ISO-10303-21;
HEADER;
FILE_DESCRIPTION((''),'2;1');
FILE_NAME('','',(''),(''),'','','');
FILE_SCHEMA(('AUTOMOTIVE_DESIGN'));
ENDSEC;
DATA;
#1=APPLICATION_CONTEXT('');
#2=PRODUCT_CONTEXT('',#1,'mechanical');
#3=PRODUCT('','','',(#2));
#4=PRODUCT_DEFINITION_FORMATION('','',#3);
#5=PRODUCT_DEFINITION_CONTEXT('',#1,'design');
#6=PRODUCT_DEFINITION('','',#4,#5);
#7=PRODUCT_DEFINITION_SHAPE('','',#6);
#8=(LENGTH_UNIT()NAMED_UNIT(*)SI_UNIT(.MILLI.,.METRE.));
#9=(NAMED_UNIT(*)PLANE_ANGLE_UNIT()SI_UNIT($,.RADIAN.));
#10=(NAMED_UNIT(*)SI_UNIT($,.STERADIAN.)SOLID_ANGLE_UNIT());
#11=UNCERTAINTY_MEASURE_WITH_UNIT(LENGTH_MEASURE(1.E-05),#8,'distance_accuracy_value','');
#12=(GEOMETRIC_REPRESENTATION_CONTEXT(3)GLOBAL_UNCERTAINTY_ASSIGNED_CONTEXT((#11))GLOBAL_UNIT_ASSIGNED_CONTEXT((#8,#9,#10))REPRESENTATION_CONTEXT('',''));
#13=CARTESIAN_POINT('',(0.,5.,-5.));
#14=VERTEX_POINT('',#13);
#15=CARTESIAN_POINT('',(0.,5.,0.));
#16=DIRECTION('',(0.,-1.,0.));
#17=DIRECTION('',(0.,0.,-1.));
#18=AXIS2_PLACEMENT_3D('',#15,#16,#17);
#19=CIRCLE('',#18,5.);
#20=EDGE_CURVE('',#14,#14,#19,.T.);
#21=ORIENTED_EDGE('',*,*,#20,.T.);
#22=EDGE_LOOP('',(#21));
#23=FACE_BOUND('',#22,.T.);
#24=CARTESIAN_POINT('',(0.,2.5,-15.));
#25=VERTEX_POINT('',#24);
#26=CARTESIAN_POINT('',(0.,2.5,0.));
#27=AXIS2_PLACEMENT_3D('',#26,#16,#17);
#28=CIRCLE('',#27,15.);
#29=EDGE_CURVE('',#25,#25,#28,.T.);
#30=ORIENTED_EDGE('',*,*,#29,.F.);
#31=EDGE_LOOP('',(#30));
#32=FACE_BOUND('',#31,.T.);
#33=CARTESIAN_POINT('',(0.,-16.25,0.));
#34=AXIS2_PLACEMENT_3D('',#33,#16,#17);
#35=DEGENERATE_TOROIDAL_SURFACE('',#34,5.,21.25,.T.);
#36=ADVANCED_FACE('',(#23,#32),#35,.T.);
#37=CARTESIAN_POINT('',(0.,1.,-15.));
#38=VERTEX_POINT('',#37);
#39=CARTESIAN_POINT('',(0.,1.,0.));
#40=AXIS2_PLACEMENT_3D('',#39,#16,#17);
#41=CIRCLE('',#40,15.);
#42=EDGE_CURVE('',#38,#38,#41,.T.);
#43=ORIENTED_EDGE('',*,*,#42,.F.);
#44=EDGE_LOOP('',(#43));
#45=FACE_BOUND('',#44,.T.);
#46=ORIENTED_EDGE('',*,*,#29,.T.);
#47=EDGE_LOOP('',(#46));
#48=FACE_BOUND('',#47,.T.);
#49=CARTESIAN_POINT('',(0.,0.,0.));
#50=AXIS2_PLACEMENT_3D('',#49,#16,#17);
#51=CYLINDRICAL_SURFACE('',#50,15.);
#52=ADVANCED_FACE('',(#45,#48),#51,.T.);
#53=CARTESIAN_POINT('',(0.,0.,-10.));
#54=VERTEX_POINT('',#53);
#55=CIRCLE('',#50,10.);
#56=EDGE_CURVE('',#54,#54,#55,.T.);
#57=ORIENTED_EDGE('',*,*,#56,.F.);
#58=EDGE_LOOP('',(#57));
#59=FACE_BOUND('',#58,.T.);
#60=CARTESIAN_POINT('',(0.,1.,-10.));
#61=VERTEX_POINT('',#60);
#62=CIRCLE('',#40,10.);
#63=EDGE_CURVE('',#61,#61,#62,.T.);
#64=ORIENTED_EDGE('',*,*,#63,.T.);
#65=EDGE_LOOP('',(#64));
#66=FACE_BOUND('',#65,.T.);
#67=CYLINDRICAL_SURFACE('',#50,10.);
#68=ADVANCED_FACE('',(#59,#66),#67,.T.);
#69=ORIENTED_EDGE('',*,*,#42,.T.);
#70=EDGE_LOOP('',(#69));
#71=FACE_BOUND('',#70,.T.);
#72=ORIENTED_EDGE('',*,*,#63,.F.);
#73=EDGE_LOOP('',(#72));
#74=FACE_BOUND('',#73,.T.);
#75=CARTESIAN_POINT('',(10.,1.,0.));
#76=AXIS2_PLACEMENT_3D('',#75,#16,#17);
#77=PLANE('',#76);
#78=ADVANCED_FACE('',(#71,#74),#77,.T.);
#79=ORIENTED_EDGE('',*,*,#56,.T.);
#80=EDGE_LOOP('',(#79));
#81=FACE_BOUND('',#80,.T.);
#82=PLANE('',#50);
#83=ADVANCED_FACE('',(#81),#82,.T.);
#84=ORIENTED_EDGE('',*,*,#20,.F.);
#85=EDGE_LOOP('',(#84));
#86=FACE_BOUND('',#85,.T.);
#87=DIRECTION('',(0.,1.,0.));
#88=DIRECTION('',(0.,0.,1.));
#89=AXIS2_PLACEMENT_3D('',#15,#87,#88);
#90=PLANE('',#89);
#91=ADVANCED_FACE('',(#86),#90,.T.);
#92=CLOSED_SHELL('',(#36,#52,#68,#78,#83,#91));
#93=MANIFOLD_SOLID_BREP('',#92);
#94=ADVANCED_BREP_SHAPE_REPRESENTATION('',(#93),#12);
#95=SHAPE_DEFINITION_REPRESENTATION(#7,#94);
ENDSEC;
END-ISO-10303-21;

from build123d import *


with BuildPart() as part:
    # Sketch1 → Revolve1 (revolve)
    with BuildSketch(Plane.XY):
        with BuildLine():
            Line((0, 0), (10, 0))
            Line((10, 0), (10, 1))
            Line((10, 1), (15, 1))
            Line((15, 1), (15, 2.5))
            ThreePointArc((15, 2.5), (10.153882032, 4.365528128), (5, 5))
            Line((5, 5), (0, 5))
            Line((0, 5), (0, 0))
        make_face()
    revolve(axis=Axis((0, 0, 0), (0, 1, 0)))


solid = part.part
